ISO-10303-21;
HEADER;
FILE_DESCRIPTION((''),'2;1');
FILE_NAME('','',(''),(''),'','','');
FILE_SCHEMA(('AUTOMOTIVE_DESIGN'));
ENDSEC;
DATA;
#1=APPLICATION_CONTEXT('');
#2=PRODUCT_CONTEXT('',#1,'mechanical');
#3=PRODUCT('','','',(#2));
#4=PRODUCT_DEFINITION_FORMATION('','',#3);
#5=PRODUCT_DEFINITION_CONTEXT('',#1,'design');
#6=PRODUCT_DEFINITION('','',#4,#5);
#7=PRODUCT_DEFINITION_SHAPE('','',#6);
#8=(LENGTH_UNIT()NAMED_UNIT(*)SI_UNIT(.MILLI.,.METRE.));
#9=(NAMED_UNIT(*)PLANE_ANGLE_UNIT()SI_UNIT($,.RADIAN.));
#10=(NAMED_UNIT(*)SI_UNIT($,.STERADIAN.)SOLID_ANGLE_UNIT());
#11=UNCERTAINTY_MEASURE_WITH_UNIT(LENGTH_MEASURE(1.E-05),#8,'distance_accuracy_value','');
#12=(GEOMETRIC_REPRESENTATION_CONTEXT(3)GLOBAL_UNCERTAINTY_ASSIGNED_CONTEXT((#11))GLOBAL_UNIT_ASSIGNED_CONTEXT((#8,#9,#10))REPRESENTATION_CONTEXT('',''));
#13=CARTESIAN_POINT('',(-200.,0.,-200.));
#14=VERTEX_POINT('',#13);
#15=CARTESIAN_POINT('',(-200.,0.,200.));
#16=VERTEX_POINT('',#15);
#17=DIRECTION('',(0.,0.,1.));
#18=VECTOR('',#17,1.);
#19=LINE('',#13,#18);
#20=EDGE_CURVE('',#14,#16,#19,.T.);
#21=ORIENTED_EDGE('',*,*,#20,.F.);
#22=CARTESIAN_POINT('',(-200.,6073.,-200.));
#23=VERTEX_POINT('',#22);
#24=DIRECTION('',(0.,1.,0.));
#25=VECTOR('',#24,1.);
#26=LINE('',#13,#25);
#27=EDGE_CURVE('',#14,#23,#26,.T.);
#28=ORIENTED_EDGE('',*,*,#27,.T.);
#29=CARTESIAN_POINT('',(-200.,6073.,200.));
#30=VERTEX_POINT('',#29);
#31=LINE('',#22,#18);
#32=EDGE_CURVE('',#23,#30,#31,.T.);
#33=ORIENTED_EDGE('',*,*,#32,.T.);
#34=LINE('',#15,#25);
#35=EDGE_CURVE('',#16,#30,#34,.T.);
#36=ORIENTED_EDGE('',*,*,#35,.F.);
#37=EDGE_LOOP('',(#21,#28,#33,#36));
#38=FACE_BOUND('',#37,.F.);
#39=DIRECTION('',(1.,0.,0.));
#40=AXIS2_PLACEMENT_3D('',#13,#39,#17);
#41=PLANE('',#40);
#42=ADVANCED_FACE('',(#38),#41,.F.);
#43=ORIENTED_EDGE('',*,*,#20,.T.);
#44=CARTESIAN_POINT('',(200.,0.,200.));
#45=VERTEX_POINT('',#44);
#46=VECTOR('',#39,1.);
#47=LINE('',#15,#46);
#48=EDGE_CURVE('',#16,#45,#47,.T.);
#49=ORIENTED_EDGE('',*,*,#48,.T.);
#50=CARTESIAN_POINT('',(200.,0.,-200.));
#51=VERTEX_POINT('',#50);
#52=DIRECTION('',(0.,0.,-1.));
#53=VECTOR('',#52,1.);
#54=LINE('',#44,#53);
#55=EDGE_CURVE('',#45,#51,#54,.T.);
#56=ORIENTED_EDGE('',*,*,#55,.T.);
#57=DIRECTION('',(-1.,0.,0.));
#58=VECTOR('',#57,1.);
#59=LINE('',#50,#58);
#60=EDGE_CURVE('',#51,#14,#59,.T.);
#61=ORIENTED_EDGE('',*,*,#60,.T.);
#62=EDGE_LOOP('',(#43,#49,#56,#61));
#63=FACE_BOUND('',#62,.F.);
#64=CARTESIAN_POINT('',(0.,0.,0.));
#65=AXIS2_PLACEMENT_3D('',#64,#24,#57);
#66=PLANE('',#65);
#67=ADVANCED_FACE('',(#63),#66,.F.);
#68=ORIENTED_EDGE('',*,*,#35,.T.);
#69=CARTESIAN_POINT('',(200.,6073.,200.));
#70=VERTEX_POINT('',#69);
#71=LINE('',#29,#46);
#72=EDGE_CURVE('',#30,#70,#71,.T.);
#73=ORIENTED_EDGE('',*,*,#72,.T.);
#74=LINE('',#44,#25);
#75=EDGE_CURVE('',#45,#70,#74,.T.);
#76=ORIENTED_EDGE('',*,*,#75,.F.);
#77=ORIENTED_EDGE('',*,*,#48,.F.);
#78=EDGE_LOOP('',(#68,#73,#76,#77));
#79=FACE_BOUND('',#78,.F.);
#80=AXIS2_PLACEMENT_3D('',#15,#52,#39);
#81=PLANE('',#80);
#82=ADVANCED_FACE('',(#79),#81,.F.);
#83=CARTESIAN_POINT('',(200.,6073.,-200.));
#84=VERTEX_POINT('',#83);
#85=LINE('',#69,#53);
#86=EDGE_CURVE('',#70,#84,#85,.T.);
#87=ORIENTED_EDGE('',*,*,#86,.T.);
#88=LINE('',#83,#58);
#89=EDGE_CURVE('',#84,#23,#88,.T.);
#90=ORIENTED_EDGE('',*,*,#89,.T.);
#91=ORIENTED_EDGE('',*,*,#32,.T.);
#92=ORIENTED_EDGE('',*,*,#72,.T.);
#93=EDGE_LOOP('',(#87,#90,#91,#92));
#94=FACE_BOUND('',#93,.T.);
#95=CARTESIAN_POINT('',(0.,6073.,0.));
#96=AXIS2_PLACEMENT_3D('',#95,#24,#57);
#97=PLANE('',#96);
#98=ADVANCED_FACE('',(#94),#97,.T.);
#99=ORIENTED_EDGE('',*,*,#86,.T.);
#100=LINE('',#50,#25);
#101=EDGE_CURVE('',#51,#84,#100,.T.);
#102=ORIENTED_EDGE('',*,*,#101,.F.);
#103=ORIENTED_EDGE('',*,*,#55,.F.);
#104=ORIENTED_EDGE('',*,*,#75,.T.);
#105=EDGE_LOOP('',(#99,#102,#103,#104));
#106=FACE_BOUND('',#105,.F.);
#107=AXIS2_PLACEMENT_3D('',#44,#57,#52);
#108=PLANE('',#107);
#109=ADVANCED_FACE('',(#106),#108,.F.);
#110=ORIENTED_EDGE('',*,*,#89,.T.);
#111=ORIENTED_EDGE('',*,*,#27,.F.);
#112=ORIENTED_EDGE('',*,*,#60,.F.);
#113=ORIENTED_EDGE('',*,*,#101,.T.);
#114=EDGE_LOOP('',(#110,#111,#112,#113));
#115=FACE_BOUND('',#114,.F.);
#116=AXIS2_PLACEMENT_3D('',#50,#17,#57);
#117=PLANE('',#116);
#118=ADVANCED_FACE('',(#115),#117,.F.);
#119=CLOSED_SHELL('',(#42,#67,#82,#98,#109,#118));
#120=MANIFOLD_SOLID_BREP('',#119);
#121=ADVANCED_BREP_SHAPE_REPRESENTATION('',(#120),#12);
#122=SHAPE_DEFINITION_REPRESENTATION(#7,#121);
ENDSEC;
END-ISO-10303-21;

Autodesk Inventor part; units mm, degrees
ref_plane "YZ Plane" through (0, 0, 0) normal (1, 0, 0) x (0, 1, 0)
ref_plane "XZ Plane" through (0, 0, 0) normal (0, 1, 0) x (-1, 0, 0)
ref_plane "XY Plane" through (0, 0, 0) normal (0, 0, 1) x (1, 0, 0)
sketch "Sketch1" plane through (0, 0, 0) normal (0, 1, 0) x (-1, 0, 0)
  line L0 (200, 200) -> (-200, 200)
  line L1 (-200, 200) -> (-200, -200)
  line L2 (-200, -200) -> (200, -200)
  line L3 (200, -200) -> (200, 200)
  line L4 (200, 200) -> (-200, -200) construction
  line L5 (-200, 200) -> (200, -200) construction
  point P0 (0, 0)
  dimension "d0" = 400
  dimension "d1" = 400
extrude "Extrusion1" add sketch "Sketch1" along normal blind 6073
properties part number "support_frame_03" material "Wood (Maple)"
